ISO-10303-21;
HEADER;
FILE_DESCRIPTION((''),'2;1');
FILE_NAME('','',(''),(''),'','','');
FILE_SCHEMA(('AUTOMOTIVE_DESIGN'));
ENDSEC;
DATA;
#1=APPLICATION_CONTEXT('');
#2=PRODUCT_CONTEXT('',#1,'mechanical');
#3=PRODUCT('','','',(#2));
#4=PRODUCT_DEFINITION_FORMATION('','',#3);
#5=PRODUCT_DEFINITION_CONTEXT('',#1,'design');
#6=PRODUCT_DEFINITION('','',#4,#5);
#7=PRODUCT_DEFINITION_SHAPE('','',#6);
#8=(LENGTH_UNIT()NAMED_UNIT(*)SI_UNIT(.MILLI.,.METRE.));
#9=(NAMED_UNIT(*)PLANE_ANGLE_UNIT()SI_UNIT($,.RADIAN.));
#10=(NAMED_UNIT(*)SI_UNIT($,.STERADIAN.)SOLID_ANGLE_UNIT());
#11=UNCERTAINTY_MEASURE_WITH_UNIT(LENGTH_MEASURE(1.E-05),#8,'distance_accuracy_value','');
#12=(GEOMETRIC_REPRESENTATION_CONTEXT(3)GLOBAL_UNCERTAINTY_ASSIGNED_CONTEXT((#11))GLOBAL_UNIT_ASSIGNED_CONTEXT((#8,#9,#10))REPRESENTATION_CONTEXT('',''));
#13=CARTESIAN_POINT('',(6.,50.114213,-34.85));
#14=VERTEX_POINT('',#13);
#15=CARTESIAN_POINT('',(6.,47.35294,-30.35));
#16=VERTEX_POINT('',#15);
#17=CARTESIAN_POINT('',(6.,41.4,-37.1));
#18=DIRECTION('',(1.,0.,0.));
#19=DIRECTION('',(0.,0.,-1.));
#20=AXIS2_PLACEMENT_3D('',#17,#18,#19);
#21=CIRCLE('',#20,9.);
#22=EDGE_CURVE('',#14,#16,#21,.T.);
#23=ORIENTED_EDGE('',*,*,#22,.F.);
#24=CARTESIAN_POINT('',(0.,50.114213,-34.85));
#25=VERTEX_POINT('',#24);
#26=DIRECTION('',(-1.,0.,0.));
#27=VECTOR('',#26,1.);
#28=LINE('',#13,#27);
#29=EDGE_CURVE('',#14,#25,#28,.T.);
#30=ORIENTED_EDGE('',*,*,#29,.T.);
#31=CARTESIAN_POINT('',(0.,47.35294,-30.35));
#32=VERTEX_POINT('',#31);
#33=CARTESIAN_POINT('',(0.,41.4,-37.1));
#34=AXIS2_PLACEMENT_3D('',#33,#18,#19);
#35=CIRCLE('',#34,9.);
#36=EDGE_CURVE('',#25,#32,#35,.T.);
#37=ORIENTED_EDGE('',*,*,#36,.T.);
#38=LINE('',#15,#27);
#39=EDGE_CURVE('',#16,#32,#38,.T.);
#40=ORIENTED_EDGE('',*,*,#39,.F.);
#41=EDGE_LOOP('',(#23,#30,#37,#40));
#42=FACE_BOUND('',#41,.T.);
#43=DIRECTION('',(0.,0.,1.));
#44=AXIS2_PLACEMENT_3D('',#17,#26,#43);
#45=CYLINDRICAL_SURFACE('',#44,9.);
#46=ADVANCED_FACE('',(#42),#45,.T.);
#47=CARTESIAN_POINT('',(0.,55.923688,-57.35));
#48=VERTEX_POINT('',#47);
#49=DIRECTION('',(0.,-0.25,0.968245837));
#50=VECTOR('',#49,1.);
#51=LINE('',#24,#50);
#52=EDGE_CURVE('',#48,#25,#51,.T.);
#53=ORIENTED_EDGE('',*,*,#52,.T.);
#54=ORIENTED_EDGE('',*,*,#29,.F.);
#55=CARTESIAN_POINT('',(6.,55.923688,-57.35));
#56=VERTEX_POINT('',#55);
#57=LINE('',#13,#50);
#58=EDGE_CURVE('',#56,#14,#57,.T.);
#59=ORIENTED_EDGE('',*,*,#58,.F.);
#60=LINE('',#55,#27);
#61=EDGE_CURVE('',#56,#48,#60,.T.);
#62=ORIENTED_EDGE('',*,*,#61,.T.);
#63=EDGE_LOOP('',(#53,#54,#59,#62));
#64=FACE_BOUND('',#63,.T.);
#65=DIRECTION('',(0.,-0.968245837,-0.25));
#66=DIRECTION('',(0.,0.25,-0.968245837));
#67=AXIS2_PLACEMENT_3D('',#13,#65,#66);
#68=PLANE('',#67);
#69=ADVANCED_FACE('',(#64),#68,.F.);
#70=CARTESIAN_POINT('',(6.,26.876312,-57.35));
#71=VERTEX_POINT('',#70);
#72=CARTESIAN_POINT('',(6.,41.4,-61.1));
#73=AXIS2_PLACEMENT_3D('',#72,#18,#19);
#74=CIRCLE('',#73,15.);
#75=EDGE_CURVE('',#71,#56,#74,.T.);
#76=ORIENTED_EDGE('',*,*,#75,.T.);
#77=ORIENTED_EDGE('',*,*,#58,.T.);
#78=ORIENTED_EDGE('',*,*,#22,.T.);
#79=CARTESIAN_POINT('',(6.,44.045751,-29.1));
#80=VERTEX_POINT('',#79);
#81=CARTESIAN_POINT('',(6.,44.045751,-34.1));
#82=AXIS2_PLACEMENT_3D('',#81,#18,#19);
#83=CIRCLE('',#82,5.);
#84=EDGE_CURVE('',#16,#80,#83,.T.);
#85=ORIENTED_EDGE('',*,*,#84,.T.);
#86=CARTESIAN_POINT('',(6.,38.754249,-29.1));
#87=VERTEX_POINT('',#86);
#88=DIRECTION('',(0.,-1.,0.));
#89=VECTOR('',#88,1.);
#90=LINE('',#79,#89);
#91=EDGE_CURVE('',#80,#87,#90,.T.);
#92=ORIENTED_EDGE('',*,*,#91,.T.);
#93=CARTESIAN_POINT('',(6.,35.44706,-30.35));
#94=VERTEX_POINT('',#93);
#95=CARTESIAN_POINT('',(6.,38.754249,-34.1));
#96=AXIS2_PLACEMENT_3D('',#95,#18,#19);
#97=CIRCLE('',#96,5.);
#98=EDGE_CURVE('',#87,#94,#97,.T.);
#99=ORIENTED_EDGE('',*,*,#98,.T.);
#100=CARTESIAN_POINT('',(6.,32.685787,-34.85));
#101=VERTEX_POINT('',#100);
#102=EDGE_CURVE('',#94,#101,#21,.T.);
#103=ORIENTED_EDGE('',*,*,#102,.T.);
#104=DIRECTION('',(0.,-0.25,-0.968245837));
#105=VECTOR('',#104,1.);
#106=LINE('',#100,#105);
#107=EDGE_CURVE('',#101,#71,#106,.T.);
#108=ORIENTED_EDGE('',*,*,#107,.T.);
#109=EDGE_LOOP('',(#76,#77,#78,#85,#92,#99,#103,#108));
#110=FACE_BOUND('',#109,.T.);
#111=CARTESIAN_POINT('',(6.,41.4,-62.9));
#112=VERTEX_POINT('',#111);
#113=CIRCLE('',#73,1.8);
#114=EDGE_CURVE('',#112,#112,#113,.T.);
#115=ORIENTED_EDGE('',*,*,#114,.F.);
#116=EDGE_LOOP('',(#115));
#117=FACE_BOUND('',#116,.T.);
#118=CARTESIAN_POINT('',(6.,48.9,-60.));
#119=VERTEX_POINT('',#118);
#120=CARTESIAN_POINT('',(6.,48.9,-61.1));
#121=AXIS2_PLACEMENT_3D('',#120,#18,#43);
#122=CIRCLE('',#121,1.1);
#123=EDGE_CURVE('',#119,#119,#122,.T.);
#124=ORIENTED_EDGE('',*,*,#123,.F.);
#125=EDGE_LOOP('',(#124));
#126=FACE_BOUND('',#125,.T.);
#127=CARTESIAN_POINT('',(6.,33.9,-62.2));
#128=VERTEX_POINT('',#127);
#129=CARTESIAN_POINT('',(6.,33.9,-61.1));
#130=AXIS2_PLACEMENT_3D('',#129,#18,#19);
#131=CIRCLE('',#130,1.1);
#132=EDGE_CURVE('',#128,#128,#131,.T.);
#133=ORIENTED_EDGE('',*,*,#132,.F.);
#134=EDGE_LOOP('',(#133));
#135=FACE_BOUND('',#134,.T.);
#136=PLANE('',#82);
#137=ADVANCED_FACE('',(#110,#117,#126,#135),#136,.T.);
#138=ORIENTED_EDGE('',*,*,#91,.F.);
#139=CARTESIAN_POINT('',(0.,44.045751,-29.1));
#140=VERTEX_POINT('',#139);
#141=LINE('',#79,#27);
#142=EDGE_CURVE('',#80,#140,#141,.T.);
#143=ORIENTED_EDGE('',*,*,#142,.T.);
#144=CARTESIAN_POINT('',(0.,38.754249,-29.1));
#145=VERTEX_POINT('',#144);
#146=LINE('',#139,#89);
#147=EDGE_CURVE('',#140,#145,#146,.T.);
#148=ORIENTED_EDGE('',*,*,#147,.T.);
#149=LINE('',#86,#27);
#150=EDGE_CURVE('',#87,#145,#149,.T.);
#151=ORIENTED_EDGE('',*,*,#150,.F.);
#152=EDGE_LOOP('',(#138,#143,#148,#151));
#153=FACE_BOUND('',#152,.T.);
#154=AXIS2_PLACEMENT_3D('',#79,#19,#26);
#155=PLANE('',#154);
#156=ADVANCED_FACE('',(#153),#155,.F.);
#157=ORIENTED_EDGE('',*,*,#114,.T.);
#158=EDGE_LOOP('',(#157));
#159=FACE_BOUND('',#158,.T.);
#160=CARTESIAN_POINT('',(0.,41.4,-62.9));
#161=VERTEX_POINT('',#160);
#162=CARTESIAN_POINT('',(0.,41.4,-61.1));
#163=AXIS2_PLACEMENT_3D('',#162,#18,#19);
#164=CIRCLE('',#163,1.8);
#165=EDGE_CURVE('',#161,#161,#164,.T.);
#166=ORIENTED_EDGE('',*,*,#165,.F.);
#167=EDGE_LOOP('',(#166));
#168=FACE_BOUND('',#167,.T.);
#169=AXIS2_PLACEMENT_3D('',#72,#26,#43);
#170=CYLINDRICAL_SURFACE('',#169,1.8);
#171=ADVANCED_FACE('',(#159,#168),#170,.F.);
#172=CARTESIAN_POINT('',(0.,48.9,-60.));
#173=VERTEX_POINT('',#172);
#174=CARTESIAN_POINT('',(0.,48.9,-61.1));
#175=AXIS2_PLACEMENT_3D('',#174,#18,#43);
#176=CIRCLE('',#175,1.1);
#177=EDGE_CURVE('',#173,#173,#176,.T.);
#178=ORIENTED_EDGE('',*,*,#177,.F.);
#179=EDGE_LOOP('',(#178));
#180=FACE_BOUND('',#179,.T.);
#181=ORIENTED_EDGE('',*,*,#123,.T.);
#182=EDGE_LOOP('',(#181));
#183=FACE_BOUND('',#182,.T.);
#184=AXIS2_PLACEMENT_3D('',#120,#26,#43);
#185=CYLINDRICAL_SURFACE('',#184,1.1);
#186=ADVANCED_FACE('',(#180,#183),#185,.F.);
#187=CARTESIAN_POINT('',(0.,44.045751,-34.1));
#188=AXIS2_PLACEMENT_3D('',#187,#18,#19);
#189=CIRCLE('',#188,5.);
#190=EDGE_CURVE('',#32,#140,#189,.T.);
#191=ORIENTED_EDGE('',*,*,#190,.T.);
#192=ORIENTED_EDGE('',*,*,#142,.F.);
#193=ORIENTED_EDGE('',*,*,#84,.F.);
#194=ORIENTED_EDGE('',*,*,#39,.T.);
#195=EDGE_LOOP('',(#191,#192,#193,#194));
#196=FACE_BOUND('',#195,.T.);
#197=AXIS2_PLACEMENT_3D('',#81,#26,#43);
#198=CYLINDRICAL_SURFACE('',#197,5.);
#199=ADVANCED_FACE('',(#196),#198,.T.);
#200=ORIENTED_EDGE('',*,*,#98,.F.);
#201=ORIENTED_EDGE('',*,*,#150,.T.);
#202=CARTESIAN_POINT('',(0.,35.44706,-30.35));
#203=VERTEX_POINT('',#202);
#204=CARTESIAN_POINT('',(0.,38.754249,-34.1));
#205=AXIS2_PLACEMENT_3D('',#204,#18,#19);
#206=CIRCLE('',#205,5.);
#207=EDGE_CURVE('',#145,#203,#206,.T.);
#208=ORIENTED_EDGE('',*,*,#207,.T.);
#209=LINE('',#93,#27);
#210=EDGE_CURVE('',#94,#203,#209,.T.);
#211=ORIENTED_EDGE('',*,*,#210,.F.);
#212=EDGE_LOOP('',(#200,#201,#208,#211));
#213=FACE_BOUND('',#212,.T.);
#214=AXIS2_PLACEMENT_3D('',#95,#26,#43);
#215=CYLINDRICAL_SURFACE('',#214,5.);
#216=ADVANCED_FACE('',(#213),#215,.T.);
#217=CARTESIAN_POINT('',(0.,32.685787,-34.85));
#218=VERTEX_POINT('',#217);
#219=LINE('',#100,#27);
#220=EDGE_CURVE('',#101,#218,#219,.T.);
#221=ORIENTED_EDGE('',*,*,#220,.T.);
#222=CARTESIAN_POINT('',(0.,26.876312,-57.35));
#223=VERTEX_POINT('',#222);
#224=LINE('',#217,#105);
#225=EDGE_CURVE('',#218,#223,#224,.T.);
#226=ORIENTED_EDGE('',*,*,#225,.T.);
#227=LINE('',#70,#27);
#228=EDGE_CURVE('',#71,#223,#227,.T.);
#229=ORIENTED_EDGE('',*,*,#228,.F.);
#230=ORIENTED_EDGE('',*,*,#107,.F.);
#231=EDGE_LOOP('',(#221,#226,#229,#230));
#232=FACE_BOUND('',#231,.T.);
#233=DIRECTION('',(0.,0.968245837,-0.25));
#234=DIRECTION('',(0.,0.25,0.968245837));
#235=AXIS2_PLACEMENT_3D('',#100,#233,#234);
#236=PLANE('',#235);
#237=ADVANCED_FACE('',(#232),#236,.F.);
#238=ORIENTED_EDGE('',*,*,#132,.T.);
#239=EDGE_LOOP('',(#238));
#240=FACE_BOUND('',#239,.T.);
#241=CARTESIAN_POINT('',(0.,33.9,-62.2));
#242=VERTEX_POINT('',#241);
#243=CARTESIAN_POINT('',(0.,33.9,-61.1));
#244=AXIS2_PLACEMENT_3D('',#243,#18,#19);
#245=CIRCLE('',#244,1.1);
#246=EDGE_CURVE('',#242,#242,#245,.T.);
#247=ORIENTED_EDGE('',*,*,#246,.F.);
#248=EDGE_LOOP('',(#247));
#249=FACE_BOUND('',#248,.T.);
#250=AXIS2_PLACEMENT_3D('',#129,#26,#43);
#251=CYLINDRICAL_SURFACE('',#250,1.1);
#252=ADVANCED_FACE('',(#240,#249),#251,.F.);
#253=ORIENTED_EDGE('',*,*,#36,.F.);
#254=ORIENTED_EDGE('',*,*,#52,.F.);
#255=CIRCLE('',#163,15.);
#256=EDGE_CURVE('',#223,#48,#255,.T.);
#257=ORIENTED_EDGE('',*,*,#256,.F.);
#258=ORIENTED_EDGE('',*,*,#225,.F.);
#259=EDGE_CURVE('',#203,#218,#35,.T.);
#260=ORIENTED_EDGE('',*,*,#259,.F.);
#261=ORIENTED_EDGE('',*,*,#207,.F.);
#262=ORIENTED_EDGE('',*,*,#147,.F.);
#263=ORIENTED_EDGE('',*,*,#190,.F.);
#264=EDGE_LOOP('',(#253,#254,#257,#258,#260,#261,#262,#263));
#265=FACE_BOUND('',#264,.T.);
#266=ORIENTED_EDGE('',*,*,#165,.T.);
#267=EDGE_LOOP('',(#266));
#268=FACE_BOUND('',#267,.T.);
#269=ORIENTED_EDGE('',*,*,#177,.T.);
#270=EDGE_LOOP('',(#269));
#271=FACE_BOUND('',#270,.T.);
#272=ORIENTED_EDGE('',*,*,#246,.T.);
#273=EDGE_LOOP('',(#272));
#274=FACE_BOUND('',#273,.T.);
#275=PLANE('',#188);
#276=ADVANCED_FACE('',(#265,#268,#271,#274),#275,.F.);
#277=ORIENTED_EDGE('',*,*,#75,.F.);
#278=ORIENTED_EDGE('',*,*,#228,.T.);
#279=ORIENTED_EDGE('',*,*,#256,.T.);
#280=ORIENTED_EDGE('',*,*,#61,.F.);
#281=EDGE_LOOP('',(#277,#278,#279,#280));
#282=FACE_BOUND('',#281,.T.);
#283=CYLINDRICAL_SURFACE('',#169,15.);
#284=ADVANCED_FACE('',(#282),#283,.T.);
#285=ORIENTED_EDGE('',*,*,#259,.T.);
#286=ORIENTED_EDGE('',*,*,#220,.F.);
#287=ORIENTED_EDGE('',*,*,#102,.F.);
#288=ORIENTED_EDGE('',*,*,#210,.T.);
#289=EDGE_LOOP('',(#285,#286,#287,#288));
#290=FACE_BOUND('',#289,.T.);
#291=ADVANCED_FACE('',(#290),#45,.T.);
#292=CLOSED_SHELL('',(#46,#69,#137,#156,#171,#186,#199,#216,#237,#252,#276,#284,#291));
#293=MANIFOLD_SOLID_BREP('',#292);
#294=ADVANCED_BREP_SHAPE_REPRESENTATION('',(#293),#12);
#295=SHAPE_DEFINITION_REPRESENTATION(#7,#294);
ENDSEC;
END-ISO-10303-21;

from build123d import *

# Parameters (mm, degrees)
ESQUISSE1_R        = 1.1
ESQUISSE1_R_2      = 1.8
BOSS_EXTRU_1_DEPTH = 6


with BuildPart() as part:
    # Esquisse1 → Boss.-Extru.1 (new body)
    with BuildSketch(Plane(origin=(0, 0, 0), x_dir=(0, 0, -1), z_dir=(1, 0, 0))):
        with BuildLine():
            Line((29.1, 44.045751311), (29.1, 38.754248689))
            ThreePointArc((29.1, 38.754248689), (29.422928267, 36.986481736), (30.35, 35.44705955))
            ThreePointArc((30.35, 35.44705955), (32.392967403, 33.729025868), (34.85, 32.685787471))
            Line((34.85, 32.685787471), (57.35, 26.876312452))
            ThreePointArc((57.35, 26.876312452), (76.1, 41.4), (57.35, 55.923687548))
            Line((57.35, 55.923687548), (34.85, 50.114212529))
            ThreePointArc((34.85, 50.114212529), (32.392967403, 49.070974132), (30.35, 47.35294045))
            ThreePointArc((30.35, 47.35294045), (29.422928267, 45.813518264), (29.1, 44.045751311))
        make_face()
        with Locations((61.1, 33.9)):
            Circle(ESQUISSE1_R, mode=Mode.SUBTRACT)
        with Locations(Location((61.1, 48.9, 0), (0, 0, 180))):  # turned: the seam where the file's is
            Circle(ESQUISSE1_R, mode=Mode.SUBTRACT)
        with Locations((61.1, 41.4)):
            Circle(ESQUISSE1_R_2, mode=Mode.SUBTRACT)
    extrude(amount=BOSS_EXTRU_1_DEPTH)


solid = part.part
